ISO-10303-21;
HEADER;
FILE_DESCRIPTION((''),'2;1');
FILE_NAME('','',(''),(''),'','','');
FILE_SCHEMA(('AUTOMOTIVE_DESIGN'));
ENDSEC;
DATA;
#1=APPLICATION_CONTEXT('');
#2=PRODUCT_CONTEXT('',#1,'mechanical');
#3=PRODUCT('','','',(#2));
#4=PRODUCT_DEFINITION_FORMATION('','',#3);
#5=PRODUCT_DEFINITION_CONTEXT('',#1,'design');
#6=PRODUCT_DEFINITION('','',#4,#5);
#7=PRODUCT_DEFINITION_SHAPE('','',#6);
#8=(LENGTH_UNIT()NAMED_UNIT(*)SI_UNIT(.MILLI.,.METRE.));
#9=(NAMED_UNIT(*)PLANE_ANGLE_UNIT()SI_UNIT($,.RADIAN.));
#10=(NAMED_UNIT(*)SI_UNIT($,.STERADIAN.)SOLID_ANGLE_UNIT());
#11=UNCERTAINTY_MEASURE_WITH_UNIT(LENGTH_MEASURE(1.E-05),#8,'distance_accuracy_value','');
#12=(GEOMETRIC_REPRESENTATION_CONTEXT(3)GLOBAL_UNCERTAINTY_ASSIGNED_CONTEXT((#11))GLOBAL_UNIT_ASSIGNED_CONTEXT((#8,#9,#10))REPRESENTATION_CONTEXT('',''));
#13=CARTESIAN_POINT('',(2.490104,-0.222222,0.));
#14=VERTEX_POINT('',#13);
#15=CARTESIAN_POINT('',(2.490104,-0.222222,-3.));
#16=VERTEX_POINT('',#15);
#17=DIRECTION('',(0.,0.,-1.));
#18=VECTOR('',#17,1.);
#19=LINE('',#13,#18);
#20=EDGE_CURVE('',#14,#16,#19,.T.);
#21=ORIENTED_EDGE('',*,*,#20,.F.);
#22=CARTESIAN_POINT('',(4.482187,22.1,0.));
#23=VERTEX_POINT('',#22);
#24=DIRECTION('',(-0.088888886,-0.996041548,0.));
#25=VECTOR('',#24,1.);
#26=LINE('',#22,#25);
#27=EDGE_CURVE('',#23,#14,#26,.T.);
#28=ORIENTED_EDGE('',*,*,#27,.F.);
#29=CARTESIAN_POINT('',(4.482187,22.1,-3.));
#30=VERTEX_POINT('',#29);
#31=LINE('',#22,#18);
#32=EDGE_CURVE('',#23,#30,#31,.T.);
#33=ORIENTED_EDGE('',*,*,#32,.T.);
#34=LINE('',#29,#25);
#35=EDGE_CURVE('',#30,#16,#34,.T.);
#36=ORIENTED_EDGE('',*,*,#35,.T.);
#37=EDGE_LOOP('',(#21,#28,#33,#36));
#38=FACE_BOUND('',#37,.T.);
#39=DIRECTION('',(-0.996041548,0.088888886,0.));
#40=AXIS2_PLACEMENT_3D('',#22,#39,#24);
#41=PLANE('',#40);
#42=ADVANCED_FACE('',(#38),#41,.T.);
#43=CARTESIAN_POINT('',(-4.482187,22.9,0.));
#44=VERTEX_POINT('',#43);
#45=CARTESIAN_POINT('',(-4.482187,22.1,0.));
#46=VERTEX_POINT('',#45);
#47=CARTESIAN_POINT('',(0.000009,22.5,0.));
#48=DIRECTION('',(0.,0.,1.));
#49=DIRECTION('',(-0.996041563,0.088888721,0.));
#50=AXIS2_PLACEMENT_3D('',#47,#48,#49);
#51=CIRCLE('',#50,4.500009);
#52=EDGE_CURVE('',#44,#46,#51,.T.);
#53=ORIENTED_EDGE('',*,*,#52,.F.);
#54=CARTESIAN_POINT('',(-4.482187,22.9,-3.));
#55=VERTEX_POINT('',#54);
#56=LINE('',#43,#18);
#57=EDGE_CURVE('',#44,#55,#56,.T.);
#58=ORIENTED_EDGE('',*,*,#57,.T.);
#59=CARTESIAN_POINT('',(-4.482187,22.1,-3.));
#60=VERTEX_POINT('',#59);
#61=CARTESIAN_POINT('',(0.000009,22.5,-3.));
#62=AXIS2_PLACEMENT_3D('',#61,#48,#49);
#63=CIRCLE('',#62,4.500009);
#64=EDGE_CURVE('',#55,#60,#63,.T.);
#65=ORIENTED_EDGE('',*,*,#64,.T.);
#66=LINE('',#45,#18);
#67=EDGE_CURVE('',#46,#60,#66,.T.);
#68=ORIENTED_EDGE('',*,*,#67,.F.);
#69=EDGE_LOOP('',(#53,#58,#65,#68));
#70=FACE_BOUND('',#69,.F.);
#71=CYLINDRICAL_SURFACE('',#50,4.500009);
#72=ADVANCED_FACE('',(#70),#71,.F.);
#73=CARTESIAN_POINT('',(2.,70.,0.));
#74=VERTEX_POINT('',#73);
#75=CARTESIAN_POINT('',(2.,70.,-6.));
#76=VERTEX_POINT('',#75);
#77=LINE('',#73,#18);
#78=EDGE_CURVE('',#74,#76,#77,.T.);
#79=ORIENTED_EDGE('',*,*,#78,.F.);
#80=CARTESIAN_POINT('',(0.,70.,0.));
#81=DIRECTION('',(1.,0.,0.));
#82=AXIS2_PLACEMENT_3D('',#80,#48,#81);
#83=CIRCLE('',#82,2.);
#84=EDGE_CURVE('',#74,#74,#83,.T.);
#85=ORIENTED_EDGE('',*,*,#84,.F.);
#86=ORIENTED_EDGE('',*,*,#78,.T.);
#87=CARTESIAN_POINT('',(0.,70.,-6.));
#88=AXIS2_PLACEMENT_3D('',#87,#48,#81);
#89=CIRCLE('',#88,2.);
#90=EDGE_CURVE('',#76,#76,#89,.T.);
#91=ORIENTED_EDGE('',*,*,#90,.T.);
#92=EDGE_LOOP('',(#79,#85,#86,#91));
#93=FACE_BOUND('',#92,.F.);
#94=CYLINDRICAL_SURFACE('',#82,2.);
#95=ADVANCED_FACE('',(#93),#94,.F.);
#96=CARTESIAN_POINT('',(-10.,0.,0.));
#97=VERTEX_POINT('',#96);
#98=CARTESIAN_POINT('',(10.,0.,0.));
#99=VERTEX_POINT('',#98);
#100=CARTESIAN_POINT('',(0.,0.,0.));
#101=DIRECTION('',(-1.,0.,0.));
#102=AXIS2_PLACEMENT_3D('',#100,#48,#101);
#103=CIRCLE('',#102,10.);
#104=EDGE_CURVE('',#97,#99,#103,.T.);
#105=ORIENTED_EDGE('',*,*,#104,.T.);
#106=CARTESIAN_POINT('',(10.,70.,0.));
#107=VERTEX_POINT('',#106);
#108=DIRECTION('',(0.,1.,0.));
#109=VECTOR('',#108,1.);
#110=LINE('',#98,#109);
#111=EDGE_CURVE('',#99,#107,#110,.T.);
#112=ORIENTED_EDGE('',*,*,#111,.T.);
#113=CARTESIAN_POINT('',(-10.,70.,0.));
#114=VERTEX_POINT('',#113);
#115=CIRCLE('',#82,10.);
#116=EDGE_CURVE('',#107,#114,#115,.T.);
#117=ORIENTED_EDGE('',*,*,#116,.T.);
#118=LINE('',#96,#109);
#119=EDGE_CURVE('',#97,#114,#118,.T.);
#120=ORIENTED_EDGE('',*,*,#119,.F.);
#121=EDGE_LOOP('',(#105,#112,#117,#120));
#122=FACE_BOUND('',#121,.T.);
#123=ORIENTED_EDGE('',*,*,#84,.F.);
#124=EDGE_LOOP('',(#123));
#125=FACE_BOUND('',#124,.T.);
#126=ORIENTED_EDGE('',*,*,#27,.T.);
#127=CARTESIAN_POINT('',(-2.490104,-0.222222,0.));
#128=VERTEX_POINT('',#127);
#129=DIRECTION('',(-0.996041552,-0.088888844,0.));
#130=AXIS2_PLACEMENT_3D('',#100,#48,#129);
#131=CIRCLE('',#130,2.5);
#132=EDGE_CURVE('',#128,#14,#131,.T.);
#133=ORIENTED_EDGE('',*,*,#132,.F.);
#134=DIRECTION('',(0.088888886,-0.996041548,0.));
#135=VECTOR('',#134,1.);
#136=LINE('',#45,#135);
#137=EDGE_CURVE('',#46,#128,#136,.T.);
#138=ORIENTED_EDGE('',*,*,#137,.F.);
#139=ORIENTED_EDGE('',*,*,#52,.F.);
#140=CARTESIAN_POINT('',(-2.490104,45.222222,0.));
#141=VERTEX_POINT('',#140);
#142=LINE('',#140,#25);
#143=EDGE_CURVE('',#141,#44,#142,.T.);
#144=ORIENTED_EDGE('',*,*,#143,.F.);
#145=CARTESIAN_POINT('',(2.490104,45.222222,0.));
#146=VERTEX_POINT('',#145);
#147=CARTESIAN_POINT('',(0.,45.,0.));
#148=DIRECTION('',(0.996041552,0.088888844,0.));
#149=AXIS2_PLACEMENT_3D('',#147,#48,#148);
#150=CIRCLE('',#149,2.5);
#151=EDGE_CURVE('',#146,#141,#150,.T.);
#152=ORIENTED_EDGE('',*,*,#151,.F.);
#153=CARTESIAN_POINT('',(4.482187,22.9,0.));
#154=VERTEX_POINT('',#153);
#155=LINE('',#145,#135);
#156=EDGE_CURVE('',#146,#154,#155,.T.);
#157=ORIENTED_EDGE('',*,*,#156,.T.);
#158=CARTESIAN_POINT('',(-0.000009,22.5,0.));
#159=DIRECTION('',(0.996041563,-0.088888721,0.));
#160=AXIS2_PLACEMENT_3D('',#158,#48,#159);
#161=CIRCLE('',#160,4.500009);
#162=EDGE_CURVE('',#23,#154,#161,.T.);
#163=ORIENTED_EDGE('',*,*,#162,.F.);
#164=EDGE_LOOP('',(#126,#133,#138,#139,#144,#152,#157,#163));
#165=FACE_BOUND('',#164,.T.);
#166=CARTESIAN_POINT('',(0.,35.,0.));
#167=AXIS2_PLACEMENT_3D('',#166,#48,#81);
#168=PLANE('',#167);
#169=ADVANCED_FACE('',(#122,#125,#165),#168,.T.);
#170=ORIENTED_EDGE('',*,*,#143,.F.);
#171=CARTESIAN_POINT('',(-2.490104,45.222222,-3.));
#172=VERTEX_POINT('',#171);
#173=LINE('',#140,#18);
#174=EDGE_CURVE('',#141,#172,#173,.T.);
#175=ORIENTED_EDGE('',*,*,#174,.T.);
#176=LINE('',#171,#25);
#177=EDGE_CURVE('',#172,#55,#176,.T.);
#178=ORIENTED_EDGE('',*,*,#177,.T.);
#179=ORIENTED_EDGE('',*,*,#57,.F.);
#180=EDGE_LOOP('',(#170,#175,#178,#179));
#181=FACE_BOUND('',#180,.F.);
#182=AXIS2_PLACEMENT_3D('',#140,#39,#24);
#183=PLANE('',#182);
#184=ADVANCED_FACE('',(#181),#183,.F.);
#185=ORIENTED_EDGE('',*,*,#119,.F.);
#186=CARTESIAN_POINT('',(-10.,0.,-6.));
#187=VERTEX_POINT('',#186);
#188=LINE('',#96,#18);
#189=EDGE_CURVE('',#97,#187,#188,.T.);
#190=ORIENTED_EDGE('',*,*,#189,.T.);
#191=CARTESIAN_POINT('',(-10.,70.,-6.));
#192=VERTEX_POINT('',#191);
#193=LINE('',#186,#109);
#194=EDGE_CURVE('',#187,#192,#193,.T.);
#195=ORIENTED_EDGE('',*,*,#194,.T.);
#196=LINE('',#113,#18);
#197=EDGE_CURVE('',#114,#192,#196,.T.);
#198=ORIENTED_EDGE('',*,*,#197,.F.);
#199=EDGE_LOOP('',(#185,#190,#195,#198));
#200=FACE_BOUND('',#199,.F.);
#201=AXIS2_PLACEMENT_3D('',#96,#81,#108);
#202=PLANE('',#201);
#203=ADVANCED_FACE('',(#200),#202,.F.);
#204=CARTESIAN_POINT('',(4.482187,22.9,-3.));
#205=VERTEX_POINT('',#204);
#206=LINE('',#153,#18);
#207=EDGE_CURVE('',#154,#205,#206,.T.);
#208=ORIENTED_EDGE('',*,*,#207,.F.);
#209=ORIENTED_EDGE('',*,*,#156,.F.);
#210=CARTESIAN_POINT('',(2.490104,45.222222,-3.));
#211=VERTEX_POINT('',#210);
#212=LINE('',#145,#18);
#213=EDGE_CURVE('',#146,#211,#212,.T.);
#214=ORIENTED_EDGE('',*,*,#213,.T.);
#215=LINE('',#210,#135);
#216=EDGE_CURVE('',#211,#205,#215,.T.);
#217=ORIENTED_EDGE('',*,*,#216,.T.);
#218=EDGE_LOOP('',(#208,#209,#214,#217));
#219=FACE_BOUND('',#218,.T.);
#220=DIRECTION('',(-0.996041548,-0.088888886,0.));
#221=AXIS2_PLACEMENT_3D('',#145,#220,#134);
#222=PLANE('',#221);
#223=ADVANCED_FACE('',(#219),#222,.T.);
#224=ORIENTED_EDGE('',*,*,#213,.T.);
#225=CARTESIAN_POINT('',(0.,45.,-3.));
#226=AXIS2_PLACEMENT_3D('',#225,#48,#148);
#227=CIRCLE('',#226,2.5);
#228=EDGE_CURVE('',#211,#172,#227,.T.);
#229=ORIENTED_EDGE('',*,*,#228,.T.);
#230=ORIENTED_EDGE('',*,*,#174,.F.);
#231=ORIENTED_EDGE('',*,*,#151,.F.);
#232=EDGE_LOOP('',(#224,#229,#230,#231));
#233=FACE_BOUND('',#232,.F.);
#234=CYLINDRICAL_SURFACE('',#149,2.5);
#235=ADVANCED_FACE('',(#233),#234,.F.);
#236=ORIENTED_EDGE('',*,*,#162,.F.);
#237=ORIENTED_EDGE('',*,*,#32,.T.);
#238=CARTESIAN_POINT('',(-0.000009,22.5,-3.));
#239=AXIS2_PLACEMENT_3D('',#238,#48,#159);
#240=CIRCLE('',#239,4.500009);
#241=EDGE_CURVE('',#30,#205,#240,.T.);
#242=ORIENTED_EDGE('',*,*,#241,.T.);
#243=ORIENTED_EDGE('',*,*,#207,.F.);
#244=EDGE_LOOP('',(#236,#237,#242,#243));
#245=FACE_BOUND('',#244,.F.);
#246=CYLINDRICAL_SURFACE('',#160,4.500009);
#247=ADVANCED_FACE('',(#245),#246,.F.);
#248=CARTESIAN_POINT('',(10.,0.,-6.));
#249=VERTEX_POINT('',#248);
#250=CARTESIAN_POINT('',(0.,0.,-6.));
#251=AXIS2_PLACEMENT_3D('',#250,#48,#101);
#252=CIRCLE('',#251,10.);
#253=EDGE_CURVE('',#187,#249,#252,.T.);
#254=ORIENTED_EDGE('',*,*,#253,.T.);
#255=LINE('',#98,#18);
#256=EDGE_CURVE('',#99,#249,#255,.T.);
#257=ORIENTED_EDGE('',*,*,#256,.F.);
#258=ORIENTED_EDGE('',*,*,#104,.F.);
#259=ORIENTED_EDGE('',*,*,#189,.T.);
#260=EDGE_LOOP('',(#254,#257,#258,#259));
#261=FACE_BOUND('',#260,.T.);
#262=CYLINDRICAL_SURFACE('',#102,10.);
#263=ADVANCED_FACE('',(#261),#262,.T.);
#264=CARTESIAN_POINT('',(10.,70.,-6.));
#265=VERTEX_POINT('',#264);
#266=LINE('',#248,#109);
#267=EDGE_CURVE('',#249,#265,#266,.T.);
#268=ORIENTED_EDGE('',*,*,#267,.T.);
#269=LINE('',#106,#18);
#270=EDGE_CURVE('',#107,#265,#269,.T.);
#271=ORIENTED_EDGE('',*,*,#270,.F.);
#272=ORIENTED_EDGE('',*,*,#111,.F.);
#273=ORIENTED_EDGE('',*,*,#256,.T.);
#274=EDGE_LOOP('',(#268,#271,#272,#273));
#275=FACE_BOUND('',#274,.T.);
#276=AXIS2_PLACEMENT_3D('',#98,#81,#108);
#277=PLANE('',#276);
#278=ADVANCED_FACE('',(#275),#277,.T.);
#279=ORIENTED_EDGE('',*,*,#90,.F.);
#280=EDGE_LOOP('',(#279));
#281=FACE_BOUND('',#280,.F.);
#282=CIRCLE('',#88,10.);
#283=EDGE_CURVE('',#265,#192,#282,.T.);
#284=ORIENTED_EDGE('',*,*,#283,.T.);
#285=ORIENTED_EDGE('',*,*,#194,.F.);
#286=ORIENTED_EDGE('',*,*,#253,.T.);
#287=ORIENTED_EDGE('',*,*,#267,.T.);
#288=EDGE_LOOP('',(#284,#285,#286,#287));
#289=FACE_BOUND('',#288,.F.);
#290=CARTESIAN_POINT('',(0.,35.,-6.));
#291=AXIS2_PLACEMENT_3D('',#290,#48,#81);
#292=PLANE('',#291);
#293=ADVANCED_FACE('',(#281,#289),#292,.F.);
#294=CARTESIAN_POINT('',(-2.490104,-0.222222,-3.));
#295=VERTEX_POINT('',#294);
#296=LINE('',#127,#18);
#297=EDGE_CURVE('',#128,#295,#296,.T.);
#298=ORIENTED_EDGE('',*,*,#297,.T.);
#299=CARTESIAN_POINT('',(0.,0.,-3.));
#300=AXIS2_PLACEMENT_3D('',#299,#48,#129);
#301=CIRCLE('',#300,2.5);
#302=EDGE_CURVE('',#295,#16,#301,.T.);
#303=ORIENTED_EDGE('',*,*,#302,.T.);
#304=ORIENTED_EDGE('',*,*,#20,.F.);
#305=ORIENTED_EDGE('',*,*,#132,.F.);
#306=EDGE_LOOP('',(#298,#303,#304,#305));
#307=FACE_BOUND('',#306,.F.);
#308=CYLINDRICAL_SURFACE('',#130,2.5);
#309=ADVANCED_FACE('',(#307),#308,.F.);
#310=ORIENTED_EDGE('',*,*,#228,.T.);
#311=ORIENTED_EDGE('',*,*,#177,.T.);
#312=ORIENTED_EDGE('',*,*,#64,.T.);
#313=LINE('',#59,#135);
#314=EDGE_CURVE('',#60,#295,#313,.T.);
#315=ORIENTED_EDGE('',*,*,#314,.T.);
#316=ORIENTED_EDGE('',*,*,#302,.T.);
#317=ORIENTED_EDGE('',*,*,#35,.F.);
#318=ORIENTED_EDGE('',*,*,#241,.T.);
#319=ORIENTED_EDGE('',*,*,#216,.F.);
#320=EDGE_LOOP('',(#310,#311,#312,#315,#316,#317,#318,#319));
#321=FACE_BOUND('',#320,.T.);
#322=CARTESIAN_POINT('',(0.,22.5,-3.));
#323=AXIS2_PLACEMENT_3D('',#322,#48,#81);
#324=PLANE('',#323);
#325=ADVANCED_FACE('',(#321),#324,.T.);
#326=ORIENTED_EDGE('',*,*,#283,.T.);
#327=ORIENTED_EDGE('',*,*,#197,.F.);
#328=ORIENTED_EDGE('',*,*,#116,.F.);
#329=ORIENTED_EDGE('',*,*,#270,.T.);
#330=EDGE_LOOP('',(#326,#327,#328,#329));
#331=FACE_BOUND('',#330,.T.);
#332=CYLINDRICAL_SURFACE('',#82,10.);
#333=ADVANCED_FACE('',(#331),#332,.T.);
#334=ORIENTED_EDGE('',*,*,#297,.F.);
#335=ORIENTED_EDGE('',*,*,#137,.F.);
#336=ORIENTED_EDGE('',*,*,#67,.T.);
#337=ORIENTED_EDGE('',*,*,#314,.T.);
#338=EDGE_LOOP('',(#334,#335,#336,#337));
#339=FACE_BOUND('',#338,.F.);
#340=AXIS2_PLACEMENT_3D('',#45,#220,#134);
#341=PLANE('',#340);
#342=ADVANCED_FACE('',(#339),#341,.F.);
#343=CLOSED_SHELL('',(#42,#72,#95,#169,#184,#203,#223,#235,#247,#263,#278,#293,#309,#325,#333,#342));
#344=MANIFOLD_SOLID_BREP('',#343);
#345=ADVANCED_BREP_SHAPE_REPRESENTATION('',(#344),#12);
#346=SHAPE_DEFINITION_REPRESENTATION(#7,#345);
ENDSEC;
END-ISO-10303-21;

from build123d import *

# Parameters (mm, degrees)
PAD_DEPTH         = 3
PAD001_DEPTH      = 6
SKETCH002_R       = 2
POCKET_DEPTH      = 6.001
POCKET_DEPTH_BACK = -0.001


with BuildPart() as horn:
    # Sketch → Pad (new body)
    with BuildSketch(Plane.XY):
        with BuildLine():
            ThreePointArc((-2.490104, -0.222222), (0, -2.5), (2.490104, -0.222222))
            Line((4.482187, 22.1), (2.490104, -0.222222))
            ThreePointArc((4.482187, 22.1), (4.5, 22.5), (4.482187, 22.9))
            Line((2.490104, 45.222222), (4.482187, 22.9))
            ThreePointArc((2.490104, 45.222222), (0, 47.5), (-2.490104, 45.222222))
            Line((-2.490104, 45.222222), (-4.482187, 22.9))
            ThreePointArc((-4.482187, 22.9), (-4.5, 22.5), (-4.482187, 22.1))
            Line((-4.482187, 22.1), (-2.490104, -0.222222))
        make_face()
    extrude(amount=-PAD_DEPTH)


with BuildPart() as cut:
    # Sketch001 → Pad001 (new body)
    with BuildSketch(Plane.XY):
        with BuildLine():
            ThreePointArc((-10, 0), (0, -10), (10, 0))
            Line((10, 0), (10, 70))
            ThreePointArc((10, 70), (0, 80), (-10, 70))
            Line((-10, 0), (-10, 70))
        make_face()
    extrude(amount=-PAD001_DEPTH)

    # Sketch002 → Pocket (cut, two sides)
    with BuildSketch(Plane.XY) as pocket_sk:
        with Locations((0, 70)):
            Circle(SKETCH002_R)
    extrude(amount=-POCKET_DEPTH, mode=Mode.SUBTRACT)
    extrude(pocket_sk.sketch, amount=-POCKET_DEPTH_BACK, mode=Mode.SUBTRACT)

    # Cut: cut Horn
    add(horn.part, mode=Mode.SUBTRACT)


solid = cut.part
